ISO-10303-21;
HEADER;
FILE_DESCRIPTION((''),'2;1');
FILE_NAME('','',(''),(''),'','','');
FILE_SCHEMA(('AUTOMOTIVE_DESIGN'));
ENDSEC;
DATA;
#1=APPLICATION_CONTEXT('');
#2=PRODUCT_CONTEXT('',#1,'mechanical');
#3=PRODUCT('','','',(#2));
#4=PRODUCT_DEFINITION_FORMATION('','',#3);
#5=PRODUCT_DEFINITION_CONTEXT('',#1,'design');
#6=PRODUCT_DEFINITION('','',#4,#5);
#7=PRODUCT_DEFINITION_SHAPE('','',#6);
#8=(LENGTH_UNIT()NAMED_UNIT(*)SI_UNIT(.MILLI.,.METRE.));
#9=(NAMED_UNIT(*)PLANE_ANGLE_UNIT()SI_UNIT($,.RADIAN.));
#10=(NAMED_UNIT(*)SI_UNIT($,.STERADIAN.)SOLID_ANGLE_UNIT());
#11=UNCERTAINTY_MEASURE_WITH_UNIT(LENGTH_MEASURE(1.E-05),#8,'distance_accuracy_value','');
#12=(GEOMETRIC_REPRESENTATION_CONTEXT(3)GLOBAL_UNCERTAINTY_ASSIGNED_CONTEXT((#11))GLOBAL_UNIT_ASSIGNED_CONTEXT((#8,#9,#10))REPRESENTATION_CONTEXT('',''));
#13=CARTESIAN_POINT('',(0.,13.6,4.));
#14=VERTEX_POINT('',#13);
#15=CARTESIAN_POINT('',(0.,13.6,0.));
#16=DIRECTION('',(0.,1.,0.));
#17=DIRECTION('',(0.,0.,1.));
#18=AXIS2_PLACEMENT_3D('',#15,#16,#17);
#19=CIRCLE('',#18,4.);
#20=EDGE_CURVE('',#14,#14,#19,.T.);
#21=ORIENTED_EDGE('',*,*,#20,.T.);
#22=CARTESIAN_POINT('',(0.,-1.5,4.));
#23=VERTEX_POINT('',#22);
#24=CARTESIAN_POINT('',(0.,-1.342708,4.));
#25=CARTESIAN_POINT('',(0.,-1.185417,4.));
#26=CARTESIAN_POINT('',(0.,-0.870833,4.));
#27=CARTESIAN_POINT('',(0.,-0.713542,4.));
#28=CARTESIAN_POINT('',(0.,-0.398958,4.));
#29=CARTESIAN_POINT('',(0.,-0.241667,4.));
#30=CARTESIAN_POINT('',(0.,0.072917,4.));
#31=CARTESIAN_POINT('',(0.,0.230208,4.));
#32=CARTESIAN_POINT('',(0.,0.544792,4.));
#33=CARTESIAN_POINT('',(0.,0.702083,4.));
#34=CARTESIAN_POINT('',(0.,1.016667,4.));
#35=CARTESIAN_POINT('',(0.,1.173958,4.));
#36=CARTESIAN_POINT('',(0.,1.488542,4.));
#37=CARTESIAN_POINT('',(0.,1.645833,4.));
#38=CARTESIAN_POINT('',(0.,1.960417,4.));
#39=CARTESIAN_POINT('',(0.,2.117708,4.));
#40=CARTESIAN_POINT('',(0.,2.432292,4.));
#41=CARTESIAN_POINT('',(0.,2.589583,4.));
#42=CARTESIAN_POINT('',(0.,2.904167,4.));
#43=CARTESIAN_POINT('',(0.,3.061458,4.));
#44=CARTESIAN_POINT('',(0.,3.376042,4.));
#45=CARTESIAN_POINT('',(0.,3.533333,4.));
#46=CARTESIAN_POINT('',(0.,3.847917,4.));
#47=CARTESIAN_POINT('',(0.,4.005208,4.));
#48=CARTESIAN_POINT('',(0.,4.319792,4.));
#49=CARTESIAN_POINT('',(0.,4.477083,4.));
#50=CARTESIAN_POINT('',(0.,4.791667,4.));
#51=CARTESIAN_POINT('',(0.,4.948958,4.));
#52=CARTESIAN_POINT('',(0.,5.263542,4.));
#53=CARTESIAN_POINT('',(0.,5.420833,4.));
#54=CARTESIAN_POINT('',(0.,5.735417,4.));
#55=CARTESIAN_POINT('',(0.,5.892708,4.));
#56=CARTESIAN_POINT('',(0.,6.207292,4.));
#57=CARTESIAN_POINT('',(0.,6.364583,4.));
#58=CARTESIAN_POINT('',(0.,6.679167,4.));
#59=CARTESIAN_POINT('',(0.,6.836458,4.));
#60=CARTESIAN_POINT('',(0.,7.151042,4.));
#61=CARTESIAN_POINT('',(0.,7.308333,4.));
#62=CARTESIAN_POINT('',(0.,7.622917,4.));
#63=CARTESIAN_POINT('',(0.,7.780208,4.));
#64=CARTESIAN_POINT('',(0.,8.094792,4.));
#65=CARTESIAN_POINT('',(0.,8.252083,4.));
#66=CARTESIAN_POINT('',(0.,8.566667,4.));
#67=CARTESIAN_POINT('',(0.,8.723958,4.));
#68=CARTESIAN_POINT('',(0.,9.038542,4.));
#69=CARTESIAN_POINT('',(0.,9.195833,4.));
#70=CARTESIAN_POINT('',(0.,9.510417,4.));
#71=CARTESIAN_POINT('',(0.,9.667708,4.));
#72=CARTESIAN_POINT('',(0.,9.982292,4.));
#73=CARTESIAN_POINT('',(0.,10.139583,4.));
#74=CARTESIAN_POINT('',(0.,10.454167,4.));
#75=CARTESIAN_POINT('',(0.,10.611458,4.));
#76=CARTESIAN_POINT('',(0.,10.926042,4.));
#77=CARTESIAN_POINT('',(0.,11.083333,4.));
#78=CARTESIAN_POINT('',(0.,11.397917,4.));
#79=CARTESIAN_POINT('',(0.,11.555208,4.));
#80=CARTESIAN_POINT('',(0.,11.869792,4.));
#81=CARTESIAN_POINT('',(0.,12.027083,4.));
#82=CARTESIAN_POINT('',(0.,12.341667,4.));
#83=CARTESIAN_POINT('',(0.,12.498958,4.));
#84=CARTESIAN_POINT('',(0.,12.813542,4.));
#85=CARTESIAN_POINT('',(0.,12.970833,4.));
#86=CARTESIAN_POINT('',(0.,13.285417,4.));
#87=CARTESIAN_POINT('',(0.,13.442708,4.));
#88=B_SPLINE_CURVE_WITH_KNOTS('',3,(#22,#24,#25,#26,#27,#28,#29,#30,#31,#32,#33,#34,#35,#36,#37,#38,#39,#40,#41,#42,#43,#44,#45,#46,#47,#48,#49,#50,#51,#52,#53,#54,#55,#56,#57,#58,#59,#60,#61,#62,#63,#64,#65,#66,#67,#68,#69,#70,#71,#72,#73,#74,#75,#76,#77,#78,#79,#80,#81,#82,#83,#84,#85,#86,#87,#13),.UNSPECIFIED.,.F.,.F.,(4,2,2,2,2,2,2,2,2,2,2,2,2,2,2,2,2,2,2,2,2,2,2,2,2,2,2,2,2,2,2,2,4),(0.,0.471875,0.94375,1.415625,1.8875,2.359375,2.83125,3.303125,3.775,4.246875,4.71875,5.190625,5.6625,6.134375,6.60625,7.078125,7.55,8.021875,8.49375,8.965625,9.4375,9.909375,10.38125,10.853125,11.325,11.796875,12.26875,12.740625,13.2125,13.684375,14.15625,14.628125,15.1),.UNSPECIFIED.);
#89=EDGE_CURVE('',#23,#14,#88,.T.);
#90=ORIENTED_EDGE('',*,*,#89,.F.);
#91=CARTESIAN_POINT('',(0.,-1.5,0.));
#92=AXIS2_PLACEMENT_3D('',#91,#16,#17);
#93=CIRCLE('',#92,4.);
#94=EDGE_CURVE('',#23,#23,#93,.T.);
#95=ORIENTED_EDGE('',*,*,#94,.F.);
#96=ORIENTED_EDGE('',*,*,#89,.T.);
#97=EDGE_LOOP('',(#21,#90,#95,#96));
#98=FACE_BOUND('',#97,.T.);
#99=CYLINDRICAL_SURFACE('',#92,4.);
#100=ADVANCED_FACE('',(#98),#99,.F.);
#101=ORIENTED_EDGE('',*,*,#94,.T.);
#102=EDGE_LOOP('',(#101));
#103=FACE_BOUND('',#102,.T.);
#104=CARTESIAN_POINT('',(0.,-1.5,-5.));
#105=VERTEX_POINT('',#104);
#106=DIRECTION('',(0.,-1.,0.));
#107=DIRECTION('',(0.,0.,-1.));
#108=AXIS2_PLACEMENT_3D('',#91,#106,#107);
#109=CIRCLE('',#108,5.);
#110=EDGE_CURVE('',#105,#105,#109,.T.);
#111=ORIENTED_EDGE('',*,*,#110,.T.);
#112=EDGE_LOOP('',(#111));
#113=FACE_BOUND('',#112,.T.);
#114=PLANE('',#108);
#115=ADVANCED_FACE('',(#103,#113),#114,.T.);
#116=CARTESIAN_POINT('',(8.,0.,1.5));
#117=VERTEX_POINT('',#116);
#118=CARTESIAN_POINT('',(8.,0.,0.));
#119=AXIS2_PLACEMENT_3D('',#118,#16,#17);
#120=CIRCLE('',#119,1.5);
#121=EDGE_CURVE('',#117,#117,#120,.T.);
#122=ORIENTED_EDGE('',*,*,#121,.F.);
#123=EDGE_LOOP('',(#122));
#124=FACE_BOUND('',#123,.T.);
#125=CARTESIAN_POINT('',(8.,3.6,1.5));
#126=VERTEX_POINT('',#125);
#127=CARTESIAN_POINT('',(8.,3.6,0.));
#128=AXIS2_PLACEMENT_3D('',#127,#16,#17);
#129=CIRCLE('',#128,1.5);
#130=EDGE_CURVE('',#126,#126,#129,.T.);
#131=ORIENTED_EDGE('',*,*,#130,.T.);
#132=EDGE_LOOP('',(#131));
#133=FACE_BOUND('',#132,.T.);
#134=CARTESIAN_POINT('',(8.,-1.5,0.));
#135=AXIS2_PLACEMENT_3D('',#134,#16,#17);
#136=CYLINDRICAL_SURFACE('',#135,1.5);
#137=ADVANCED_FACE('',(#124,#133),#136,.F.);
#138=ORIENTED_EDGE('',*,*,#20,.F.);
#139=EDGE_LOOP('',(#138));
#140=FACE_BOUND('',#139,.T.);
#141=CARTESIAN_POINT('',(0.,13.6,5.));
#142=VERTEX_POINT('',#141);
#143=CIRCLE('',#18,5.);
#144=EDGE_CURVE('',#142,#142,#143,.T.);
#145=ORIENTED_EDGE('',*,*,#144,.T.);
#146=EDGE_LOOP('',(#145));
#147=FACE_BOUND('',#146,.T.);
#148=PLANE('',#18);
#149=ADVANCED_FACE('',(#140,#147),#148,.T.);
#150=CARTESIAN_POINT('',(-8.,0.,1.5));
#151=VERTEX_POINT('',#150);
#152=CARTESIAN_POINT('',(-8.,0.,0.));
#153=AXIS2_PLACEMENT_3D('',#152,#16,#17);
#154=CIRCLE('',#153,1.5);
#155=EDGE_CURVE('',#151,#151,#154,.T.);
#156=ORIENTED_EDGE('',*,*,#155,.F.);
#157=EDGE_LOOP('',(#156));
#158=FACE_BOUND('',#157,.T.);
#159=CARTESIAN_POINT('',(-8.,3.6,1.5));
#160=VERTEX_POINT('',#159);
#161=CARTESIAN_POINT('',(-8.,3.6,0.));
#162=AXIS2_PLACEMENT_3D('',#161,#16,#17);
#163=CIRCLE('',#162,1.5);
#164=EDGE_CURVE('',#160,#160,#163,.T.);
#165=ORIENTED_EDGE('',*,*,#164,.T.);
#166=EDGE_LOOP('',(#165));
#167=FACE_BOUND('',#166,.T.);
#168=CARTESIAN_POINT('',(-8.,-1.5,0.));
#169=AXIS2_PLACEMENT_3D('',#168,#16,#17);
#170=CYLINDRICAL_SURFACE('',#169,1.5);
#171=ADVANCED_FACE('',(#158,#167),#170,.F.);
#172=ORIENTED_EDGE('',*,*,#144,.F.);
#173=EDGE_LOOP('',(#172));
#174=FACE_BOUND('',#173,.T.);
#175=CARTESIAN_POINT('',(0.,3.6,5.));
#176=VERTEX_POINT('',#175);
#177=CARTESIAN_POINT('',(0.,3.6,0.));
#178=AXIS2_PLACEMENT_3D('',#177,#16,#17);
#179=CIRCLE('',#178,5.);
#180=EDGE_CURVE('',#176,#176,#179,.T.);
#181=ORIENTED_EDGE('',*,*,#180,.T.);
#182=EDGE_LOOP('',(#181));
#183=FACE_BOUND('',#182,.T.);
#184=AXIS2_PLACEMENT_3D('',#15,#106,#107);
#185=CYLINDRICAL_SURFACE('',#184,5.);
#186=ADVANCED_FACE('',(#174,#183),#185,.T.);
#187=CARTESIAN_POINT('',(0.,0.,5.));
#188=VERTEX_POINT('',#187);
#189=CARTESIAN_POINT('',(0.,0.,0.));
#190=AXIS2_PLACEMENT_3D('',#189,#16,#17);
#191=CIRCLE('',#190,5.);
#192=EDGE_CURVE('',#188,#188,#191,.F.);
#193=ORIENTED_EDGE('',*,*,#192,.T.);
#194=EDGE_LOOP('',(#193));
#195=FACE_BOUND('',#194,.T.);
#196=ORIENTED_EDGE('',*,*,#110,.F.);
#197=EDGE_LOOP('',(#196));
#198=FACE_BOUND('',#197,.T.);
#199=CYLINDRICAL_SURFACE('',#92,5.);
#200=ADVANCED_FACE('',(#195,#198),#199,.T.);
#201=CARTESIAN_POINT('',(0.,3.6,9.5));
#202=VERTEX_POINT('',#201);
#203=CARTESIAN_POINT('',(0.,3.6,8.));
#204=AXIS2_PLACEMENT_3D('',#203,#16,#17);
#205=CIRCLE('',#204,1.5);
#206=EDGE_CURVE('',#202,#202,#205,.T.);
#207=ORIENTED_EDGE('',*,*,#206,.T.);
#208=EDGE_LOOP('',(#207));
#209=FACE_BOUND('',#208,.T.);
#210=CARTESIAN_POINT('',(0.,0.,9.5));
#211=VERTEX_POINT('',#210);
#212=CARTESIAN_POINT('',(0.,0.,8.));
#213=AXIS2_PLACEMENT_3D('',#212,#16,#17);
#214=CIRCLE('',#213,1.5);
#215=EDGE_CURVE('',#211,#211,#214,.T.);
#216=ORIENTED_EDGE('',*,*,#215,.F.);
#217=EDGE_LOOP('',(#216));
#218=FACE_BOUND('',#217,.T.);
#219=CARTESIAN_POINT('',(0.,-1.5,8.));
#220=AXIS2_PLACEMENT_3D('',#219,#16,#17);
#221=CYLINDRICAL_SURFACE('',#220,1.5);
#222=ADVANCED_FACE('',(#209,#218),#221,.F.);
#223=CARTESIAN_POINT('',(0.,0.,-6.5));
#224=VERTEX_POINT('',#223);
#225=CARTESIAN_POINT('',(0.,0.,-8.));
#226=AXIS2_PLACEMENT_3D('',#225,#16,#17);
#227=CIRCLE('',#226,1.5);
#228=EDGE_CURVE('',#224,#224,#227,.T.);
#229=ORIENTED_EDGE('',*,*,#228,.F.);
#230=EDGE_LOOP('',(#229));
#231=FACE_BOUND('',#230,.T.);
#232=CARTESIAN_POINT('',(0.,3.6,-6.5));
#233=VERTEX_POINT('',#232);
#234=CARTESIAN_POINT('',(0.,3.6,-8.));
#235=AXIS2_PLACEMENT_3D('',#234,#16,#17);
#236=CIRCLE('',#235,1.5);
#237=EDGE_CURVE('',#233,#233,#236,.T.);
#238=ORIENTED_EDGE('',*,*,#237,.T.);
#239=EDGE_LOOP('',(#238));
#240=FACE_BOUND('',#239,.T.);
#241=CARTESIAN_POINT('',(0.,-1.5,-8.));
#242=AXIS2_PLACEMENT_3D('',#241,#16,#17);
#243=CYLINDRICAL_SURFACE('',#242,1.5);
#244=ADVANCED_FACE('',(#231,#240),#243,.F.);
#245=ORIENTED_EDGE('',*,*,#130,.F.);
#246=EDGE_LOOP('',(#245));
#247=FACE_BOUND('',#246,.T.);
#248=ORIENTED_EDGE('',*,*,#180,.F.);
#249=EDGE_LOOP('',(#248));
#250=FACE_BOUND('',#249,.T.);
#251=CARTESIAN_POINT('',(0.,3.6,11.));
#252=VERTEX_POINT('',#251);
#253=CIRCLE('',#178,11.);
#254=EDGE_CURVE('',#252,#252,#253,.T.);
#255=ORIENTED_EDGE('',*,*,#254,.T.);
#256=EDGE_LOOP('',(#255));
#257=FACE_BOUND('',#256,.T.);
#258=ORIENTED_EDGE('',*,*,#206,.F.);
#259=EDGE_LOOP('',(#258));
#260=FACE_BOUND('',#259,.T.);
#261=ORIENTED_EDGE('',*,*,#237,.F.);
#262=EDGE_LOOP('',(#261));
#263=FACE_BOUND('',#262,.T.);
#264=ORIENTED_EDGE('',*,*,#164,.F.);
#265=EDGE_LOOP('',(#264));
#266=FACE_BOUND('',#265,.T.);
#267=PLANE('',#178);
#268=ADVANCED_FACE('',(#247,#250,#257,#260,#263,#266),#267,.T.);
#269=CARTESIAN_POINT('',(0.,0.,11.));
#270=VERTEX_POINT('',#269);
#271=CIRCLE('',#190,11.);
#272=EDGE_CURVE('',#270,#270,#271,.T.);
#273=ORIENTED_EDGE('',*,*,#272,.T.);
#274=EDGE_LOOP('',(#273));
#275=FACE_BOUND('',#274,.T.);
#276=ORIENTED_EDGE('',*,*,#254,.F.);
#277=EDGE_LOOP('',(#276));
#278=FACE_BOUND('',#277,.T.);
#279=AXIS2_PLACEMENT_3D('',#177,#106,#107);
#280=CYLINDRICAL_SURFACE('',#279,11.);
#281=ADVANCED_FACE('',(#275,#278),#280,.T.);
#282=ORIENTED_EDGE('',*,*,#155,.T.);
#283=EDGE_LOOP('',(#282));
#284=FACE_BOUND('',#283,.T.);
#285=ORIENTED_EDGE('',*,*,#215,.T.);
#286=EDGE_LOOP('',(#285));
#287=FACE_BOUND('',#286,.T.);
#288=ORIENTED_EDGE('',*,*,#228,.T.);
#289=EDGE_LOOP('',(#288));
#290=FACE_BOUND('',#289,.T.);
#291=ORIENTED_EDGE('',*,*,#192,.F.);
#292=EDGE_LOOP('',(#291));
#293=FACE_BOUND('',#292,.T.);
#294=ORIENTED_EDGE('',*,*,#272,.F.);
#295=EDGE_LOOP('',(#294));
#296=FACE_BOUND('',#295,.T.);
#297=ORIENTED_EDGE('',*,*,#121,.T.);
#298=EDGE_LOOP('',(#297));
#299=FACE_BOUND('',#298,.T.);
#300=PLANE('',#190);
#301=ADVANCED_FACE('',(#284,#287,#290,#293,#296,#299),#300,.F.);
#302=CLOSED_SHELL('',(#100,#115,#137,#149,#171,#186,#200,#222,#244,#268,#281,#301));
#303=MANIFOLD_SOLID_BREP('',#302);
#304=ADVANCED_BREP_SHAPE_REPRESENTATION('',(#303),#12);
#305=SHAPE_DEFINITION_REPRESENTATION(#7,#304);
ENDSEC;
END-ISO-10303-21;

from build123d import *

# Parameters (mm, degrees)
SKETCH1_R           = 11
BOSS_EXTRUDE1_DEPTH = 3.6
SKETCH2_R           = 5
BOSS_EXTRUDE2_DEPTH = 10
BOSS_EXTRUDE3_START = 1.5
SKETCH3_R           = 5
BOSS_EXTRUDE3_DEPTH = 1.5
SKETCH4_R           = 4
CUT_EXTRUDE1_DEPTH  = 22.67971402
SKETCH5_R           = 1.5
CUT_EXTRUDE2_DEPTH  = 19.493242009
CIRPATTERN1_COUNT   = 4


with BuildPart() as part:
    # Sketch1 → Boss-Extrude1 (new body)
    with BuildSketch(Plane(origin=(0, 0, 0), x_dir=(1, 0, 0), z_dir=(0, 1, 0))):
        with Locations(Location((0, 0, 0), (0, 0, 270))):
            Circle(SKETCH1_R)
    extrude(amount=BOSS_EXTRUDE1_DEPTH)

    # Sketch2 → Boss-Extrude2 (add)
    with BuildSketch(Plane(origin=(0, 3.6, 0), x_dir=(1, 0, 0), z_dir=(0, 1, 0))):
        with Locations(Location((0, 0, 0), (0, 0, 270))):
            Circle(SKETCH2_R)
    extrude(amount=BOSS_EXTRUDE2_DEPTH)

    # Sketch3 → Boss-Extrude3 (add)
    with BuildSketch(Plane.XZ.offset(BOSS_EXTRUDE3_START)):
        with Locations(Location((0, 0, 0), (0, 0, 90))):
            Circle(SKETCH3_R)
    extrude(amount=-BOSS_EXTRUDE3_DEPTH)

    # Sketch4 → Cut-Extrude1 (cut, through all)
    with BuildSketch(Plane(origin=(0, 13.6, 0), x_dir=(1, 0, 0), z_dir=(0, 1, 0))):
        with Locations(Location((0, 0, 0), (0, 0, 270))):
            Circle(SKETCH4_R)
    extrude(amount=-CUT_EXTRUDE1_DEPTH, mode=Mode.SUBTRACT)

    # Sketch5 → Cut-Extrude2 (cut, symmetric)
    with BuildSketch(Plane(origin=(0, 3.6, 0), x_dir=(1, 0, 0), z_dir=(0, 1, 0))):
        with Locations(Location((0, 8, 0), (0, 0, 270))):
            Circle(SKETCH5_R)
    cut_extrude2 = extrude(amount=CUT_EXTRUDE2_DEPTH, both=True, mode=Mode.SUBTRACT)

    # CirPattern1: Cut-Extrude2 ×4 about axis
    cirpattern1_axis = Axis((0, 0, 0), (0, 1, 0))
    for i in range(1, CIRPATTERN1_COUNT):
        add(cut_extrude2.rotate(cirpattern1_axis, i * 360 / CIRPATTERN1_COUNT), mode=Mode.SUBTRACT)


solid = part.part
